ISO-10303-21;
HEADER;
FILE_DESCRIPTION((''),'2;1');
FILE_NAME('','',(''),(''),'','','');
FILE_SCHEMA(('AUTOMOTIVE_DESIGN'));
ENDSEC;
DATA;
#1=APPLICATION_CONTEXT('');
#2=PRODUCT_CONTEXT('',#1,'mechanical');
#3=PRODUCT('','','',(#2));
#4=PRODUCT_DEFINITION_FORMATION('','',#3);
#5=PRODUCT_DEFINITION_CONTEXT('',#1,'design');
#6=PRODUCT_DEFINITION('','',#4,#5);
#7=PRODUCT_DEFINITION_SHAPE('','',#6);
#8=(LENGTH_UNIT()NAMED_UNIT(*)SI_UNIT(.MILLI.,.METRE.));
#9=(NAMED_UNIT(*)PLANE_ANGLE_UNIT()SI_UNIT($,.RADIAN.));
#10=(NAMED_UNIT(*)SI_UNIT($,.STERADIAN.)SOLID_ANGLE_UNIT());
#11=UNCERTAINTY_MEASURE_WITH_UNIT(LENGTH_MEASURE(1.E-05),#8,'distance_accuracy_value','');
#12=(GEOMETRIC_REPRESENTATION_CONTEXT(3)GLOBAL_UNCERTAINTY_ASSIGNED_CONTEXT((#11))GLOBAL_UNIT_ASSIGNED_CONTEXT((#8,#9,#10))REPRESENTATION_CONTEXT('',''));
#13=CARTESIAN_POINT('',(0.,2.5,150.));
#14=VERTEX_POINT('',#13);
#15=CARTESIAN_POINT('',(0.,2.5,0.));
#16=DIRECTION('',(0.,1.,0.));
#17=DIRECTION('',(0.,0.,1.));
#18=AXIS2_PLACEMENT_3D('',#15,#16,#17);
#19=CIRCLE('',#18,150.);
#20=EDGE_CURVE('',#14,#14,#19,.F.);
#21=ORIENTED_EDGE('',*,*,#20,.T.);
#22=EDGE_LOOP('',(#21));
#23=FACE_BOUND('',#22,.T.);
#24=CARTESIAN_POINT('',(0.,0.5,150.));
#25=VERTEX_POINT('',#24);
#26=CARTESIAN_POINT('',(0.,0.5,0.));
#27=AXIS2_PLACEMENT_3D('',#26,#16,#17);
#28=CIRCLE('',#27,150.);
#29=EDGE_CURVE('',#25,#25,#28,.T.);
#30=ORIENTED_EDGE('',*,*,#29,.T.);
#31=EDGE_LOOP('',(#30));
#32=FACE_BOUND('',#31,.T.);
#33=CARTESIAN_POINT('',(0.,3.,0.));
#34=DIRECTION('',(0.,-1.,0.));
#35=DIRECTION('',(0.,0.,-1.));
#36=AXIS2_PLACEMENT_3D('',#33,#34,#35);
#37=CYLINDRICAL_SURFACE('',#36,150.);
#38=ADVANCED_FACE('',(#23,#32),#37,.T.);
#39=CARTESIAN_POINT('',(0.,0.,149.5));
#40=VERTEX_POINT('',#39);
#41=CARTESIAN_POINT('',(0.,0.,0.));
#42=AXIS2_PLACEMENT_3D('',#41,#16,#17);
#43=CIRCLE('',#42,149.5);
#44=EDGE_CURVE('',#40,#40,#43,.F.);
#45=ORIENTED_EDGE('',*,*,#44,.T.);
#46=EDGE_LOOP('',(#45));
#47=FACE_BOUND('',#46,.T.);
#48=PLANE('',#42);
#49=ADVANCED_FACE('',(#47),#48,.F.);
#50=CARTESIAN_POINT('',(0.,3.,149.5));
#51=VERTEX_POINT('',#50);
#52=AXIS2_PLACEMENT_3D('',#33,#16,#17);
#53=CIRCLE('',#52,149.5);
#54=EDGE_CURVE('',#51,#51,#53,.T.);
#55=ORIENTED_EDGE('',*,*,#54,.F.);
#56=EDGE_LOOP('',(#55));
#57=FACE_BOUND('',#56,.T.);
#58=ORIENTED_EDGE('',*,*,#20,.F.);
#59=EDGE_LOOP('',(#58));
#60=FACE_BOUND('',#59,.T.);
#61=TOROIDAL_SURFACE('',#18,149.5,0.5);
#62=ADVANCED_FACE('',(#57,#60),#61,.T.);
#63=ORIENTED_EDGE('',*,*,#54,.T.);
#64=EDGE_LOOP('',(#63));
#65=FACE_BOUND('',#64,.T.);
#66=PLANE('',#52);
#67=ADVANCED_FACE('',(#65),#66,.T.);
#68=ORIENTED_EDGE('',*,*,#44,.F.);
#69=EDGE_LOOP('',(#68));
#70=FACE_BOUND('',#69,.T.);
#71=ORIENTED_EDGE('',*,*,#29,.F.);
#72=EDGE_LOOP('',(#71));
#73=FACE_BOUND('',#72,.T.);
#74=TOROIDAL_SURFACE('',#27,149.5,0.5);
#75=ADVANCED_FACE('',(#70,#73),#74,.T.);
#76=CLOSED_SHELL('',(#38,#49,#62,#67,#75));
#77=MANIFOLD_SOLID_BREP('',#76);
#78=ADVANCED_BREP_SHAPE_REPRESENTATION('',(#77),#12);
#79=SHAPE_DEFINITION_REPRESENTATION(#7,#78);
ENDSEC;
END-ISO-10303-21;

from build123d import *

# Parameters (mm, degrees)
SKETCH1_R           = 150
BOSS_EXTRUDE1_DEPTH = 3
FILLET1_R           = 0.5


with BuildPart() as part:
    # Sketch1 → Boss-Extrude1 (new body)
    with BuildSketch(Plane(origin=(0, 0, 0), x_dir=(1, 0, 0), z_dir=(0, 1, 0))):
        Circle(SKETCH1_R)
    extrude(amount=BOSS_EXTRUDE1_DEPTH)

    # Fillet1
    fillet1_edges = [part.edges().sort_by_distance(p)[0] for p in [
        (-150, 0, 0),
        (-150, 3, 0),
    ]]
    fillet(fillet1_edges, radius=FILLET1_R)


solid = part.part
